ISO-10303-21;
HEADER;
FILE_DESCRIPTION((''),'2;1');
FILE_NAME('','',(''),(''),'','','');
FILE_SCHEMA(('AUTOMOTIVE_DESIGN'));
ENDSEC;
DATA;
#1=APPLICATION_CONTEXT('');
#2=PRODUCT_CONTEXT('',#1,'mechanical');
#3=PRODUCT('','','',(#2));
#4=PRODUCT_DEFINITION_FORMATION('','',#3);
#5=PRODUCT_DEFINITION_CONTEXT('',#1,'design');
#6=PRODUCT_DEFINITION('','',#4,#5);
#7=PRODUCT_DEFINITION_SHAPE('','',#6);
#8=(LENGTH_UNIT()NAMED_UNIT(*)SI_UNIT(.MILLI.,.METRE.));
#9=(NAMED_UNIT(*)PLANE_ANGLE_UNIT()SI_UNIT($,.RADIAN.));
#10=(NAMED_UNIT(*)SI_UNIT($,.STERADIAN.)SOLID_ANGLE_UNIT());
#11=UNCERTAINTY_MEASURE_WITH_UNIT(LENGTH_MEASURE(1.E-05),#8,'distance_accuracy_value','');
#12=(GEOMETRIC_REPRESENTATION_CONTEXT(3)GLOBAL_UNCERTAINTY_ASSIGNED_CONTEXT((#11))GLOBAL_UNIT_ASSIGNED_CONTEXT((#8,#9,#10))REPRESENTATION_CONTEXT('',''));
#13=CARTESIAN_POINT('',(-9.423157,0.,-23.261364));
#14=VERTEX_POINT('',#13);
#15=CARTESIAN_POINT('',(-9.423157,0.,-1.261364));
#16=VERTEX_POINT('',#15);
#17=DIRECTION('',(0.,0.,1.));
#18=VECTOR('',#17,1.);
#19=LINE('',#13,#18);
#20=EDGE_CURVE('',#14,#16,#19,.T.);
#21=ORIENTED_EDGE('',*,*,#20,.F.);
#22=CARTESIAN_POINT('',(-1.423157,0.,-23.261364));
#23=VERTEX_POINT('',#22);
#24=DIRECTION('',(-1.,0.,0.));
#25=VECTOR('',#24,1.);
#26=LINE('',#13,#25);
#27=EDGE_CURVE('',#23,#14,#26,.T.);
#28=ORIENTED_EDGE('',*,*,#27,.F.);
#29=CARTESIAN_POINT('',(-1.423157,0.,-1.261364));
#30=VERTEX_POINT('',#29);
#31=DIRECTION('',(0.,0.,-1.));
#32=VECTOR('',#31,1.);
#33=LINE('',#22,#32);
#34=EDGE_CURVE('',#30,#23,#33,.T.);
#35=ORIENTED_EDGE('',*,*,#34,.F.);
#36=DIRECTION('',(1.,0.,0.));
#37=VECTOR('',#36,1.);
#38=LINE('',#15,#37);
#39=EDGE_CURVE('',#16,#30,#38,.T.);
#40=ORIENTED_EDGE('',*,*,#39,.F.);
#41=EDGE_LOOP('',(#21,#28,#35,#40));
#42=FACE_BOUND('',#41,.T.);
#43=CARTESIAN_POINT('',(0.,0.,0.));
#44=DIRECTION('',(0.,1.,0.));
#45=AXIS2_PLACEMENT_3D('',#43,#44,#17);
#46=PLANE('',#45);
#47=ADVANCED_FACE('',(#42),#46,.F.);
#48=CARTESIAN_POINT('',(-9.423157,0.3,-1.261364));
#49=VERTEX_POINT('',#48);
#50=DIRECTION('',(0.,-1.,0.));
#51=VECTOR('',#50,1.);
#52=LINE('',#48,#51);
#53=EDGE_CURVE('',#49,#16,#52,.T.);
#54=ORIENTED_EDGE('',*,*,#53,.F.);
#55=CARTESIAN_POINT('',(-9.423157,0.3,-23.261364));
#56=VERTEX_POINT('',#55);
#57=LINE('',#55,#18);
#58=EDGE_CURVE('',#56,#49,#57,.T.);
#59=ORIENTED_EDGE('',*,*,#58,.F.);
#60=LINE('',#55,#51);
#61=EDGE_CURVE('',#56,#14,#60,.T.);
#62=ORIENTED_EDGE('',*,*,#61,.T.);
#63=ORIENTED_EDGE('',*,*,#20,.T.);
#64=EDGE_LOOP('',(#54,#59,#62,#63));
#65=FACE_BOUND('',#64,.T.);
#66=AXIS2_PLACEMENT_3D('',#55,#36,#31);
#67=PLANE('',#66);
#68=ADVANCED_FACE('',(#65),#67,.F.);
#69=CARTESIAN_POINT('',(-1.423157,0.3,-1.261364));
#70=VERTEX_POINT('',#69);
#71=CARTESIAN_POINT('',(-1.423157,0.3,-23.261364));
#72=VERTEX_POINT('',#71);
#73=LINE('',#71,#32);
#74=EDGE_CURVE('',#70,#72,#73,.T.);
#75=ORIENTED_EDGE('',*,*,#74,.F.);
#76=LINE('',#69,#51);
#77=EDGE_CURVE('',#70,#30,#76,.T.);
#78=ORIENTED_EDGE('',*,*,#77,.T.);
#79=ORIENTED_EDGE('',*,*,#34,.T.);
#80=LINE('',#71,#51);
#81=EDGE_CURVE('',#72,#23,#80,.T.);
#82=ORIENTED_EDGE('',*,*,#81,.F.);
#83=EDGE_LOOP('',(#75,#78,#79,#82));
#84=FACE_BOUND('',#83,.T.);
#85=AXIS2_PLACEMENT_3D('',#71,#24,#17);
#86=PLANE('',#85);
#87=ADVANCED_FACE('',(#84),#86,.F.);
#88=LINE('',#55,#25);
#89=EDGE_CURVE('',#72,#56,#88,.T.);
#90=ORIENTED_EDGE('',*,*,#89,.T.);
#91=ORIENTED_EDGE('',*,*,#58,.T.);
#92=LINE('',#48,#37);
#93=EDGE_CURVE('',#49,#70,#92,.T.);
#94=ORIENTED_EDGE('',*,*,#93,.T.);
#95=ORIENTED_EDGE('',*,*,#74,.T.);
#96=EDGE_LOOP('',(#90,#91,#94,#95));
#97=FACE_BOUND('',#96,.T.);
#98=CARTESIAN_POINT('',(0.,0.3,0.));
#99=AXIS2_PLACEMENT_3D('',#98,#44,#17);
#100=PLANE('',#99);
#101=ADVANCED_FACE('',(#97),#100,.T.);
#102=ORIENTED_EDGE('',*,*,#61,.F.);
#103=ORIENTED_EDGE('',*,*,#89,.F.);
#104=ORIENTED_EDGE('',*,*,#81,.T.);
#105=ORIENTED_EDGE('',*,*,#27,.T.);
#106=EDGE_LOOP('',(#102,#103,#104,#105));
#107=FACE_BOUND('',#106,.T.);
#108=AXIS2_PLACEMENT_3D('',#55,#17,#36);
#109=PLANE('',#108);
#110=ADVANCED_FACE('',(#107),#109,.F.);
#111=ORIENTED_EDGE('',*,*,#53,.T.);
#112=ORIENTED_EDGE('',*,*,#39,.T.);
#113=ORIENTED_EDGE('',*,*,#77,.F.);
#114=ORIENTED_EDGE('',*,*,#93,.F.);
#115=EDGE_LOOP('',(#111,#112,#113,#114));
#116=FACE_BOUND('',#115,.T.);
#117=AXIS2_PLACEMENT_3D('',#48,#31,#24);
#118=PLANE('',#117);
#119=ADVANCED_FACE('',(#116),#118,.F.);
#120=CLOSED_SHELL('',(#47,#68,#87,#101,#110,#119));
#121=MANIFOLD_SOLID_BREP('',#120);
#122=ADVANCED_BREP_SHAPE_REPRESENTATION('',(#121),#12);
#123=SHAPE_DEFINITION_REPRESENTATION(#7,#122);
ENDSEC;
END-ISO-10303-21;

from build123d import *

# Parameters (mm, degrees)
CROQUIS1_W              = 8
CROQUIS1_H              = 22
SALIENTE_EXTRUIR1_DEPTH = 0.3


with BuildPart() as part:
    # Croquis1 → Saliente-Extruir1 (new body)
    with BuildSketch(Plane(origin=(0, 0, 0), x_dir=(1, 0, 0), z_dir=(0, 1, 0))):
        with Locations((-5.423157461, 12.261363636)):
            Rectangle(CROQUIS1_W, CROQUIS1_H)
    extrude(amount=SALIENTE_EXTRUIR1_DEPTH)


solid = part.part
